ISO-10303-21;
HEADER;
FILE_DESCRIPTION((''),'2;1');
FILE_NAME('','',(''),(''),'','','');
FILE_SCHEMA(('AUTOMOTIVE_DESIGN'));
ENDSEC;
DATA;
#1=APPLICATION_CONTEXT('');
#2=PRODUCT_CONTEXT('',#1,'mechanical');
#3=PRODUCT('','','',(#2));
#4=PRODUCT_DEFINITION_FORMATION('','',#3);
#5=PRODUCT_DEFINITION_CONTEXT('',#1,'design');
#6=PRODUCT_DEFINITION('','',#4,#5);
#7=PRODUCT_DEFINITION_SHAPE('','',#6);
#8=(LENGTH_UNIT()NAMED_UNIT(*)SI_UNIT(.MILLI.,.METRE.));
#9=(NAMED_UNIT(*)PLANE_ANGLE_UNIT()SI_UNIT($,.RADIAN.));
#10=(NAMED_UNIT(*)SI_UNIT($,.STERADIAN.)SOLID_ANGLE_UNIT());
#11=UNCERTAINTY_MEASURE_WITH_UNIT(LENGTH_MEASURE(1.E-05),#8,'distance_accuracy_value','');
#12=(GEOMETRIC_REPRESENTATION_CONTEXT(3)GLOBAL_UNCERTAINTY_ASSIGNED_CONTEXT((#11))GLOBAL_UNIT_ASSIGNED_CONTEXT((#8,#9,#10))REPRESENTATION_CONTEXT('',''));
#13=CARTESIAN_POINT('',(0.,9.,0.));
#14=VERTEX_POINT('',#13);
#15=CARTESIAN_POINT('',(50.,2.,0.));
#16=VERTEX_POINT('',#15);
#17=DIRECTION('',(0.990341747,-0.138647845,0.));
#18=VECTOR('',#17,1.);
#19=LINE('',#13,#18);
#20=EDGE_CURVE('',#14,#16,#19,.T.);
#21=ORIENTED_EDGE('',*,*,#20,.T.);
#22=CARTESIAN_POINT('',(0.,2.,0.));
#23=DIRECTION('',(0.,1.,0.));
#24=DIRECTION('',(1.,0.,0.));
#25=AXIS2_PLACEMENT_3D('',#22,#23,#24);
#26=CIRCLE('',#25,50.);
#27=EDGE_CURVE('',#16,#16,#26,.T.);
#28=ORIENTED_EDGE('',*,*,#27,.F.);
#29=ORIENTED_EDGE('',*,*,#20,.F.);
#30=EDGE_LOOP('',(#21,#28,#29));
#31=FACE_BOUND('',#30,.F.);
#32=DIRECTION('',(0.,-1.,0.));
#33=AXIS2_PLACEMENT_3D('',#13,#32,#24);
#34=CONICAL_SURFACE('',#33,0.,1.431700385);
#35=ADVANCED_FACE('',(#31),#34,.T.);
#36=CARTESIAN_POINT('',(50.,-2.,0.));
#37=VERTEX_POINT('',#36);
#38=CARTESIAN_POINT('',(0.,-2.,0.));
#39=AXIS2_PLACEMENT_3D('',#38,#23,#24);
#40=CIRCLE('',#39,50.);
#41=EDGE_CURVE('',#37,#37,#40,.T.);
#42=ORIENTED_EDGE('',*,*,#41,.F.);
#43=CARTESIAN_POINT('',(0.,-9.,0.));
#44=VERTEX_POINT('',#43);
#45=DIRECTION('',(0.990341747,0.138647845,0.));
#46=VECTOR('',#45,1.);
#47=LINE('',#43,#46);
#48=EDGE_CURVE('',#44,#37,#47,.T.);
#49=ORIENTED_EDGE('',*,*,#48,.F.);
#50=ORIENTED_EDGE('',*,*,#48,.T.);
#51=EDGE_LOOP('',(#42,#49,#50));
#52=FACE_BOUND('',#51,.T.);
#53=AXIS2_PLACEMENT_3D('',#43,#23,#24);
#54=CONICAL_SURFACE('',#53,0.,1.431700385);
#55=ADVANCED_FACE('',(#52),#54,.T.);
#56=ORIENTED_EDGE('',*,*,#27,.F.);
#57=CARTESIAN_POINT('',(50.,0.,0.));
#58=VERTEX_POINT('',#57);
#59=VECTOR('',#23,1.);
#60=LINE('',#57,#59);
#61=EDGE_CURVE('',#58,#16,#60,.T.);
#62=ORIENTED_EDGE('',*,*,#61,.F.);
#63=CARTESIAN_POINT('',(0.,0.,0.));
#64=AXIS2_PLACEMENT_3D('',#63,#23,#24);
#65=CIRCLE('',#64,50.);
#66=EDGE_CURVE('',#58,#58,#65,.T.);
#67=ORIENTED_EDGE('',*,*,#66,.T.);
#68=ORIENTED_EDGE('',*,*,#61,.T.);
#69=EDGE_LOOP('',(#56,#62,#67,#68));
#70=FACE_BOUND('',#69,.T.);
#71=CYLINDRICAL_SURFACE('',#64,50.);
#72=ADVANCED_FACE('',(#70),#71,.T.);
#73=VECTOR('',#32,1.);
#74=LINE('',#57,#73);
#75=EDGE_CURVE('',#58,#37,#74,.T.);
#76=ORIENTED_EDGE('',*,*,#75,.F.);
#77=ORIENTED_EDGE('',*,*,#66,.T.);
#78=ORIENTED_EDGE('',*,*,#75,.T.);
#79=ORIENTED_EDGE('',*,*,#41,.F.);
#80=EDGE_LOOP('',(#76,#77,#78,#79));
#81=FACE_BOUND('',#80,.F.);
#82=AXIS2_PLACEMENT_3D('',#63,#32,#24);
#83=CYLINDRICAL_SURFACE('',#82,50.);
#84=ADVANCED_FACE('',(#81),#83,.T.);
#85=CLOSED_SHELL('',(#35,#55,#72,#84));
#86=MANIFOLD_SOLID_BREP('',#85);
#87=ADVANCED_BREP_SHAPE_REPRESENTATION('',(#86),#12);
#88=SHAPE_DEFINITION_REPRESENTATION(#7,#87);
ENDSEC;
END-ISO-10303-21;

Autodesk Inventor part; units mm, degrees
ref_plane "YZ Plane" through (0, 0, 0) normal (1, 0, 0) x (0, 1, 0)
ref_plane "XZ Plane" through (0, 0, 0) normal (0, 1, 0) x (-1, 0, 0)
ref_plane "XY Plane" through (0, 0, 0) normal (0, 0, 1) x (1, 0, 0)
sketch "Sketch1" plane through (0, 0, 0) normal (0, 0, 1) x (1, 0, 0)
  line L0 (0, 0) -> (0, 9)
  line L1 (0, 0) -> (50, 0) construction
  line L2 (50, 0) -> (50, 2)
  line L3 (0, 9) -> (50, 2)
  line L4 (0, 0) -> (0, -9)
  line L5 (50, 0) -> (50, -2)
  line L6 (0, -9) -> (50, -2)
  line L7 (0, -12.6) -> (0, 12.6) projected
  dimension "d0" = 50
  dimension "d1" = 9
  dimension "d2" = 2
revolve "Revolution1" add sketch "Sketch1" angle 360 about axis through (0, -10, 0) along (0, 1, 0)
properties part number "Magnifying Glass" material "Glass"
